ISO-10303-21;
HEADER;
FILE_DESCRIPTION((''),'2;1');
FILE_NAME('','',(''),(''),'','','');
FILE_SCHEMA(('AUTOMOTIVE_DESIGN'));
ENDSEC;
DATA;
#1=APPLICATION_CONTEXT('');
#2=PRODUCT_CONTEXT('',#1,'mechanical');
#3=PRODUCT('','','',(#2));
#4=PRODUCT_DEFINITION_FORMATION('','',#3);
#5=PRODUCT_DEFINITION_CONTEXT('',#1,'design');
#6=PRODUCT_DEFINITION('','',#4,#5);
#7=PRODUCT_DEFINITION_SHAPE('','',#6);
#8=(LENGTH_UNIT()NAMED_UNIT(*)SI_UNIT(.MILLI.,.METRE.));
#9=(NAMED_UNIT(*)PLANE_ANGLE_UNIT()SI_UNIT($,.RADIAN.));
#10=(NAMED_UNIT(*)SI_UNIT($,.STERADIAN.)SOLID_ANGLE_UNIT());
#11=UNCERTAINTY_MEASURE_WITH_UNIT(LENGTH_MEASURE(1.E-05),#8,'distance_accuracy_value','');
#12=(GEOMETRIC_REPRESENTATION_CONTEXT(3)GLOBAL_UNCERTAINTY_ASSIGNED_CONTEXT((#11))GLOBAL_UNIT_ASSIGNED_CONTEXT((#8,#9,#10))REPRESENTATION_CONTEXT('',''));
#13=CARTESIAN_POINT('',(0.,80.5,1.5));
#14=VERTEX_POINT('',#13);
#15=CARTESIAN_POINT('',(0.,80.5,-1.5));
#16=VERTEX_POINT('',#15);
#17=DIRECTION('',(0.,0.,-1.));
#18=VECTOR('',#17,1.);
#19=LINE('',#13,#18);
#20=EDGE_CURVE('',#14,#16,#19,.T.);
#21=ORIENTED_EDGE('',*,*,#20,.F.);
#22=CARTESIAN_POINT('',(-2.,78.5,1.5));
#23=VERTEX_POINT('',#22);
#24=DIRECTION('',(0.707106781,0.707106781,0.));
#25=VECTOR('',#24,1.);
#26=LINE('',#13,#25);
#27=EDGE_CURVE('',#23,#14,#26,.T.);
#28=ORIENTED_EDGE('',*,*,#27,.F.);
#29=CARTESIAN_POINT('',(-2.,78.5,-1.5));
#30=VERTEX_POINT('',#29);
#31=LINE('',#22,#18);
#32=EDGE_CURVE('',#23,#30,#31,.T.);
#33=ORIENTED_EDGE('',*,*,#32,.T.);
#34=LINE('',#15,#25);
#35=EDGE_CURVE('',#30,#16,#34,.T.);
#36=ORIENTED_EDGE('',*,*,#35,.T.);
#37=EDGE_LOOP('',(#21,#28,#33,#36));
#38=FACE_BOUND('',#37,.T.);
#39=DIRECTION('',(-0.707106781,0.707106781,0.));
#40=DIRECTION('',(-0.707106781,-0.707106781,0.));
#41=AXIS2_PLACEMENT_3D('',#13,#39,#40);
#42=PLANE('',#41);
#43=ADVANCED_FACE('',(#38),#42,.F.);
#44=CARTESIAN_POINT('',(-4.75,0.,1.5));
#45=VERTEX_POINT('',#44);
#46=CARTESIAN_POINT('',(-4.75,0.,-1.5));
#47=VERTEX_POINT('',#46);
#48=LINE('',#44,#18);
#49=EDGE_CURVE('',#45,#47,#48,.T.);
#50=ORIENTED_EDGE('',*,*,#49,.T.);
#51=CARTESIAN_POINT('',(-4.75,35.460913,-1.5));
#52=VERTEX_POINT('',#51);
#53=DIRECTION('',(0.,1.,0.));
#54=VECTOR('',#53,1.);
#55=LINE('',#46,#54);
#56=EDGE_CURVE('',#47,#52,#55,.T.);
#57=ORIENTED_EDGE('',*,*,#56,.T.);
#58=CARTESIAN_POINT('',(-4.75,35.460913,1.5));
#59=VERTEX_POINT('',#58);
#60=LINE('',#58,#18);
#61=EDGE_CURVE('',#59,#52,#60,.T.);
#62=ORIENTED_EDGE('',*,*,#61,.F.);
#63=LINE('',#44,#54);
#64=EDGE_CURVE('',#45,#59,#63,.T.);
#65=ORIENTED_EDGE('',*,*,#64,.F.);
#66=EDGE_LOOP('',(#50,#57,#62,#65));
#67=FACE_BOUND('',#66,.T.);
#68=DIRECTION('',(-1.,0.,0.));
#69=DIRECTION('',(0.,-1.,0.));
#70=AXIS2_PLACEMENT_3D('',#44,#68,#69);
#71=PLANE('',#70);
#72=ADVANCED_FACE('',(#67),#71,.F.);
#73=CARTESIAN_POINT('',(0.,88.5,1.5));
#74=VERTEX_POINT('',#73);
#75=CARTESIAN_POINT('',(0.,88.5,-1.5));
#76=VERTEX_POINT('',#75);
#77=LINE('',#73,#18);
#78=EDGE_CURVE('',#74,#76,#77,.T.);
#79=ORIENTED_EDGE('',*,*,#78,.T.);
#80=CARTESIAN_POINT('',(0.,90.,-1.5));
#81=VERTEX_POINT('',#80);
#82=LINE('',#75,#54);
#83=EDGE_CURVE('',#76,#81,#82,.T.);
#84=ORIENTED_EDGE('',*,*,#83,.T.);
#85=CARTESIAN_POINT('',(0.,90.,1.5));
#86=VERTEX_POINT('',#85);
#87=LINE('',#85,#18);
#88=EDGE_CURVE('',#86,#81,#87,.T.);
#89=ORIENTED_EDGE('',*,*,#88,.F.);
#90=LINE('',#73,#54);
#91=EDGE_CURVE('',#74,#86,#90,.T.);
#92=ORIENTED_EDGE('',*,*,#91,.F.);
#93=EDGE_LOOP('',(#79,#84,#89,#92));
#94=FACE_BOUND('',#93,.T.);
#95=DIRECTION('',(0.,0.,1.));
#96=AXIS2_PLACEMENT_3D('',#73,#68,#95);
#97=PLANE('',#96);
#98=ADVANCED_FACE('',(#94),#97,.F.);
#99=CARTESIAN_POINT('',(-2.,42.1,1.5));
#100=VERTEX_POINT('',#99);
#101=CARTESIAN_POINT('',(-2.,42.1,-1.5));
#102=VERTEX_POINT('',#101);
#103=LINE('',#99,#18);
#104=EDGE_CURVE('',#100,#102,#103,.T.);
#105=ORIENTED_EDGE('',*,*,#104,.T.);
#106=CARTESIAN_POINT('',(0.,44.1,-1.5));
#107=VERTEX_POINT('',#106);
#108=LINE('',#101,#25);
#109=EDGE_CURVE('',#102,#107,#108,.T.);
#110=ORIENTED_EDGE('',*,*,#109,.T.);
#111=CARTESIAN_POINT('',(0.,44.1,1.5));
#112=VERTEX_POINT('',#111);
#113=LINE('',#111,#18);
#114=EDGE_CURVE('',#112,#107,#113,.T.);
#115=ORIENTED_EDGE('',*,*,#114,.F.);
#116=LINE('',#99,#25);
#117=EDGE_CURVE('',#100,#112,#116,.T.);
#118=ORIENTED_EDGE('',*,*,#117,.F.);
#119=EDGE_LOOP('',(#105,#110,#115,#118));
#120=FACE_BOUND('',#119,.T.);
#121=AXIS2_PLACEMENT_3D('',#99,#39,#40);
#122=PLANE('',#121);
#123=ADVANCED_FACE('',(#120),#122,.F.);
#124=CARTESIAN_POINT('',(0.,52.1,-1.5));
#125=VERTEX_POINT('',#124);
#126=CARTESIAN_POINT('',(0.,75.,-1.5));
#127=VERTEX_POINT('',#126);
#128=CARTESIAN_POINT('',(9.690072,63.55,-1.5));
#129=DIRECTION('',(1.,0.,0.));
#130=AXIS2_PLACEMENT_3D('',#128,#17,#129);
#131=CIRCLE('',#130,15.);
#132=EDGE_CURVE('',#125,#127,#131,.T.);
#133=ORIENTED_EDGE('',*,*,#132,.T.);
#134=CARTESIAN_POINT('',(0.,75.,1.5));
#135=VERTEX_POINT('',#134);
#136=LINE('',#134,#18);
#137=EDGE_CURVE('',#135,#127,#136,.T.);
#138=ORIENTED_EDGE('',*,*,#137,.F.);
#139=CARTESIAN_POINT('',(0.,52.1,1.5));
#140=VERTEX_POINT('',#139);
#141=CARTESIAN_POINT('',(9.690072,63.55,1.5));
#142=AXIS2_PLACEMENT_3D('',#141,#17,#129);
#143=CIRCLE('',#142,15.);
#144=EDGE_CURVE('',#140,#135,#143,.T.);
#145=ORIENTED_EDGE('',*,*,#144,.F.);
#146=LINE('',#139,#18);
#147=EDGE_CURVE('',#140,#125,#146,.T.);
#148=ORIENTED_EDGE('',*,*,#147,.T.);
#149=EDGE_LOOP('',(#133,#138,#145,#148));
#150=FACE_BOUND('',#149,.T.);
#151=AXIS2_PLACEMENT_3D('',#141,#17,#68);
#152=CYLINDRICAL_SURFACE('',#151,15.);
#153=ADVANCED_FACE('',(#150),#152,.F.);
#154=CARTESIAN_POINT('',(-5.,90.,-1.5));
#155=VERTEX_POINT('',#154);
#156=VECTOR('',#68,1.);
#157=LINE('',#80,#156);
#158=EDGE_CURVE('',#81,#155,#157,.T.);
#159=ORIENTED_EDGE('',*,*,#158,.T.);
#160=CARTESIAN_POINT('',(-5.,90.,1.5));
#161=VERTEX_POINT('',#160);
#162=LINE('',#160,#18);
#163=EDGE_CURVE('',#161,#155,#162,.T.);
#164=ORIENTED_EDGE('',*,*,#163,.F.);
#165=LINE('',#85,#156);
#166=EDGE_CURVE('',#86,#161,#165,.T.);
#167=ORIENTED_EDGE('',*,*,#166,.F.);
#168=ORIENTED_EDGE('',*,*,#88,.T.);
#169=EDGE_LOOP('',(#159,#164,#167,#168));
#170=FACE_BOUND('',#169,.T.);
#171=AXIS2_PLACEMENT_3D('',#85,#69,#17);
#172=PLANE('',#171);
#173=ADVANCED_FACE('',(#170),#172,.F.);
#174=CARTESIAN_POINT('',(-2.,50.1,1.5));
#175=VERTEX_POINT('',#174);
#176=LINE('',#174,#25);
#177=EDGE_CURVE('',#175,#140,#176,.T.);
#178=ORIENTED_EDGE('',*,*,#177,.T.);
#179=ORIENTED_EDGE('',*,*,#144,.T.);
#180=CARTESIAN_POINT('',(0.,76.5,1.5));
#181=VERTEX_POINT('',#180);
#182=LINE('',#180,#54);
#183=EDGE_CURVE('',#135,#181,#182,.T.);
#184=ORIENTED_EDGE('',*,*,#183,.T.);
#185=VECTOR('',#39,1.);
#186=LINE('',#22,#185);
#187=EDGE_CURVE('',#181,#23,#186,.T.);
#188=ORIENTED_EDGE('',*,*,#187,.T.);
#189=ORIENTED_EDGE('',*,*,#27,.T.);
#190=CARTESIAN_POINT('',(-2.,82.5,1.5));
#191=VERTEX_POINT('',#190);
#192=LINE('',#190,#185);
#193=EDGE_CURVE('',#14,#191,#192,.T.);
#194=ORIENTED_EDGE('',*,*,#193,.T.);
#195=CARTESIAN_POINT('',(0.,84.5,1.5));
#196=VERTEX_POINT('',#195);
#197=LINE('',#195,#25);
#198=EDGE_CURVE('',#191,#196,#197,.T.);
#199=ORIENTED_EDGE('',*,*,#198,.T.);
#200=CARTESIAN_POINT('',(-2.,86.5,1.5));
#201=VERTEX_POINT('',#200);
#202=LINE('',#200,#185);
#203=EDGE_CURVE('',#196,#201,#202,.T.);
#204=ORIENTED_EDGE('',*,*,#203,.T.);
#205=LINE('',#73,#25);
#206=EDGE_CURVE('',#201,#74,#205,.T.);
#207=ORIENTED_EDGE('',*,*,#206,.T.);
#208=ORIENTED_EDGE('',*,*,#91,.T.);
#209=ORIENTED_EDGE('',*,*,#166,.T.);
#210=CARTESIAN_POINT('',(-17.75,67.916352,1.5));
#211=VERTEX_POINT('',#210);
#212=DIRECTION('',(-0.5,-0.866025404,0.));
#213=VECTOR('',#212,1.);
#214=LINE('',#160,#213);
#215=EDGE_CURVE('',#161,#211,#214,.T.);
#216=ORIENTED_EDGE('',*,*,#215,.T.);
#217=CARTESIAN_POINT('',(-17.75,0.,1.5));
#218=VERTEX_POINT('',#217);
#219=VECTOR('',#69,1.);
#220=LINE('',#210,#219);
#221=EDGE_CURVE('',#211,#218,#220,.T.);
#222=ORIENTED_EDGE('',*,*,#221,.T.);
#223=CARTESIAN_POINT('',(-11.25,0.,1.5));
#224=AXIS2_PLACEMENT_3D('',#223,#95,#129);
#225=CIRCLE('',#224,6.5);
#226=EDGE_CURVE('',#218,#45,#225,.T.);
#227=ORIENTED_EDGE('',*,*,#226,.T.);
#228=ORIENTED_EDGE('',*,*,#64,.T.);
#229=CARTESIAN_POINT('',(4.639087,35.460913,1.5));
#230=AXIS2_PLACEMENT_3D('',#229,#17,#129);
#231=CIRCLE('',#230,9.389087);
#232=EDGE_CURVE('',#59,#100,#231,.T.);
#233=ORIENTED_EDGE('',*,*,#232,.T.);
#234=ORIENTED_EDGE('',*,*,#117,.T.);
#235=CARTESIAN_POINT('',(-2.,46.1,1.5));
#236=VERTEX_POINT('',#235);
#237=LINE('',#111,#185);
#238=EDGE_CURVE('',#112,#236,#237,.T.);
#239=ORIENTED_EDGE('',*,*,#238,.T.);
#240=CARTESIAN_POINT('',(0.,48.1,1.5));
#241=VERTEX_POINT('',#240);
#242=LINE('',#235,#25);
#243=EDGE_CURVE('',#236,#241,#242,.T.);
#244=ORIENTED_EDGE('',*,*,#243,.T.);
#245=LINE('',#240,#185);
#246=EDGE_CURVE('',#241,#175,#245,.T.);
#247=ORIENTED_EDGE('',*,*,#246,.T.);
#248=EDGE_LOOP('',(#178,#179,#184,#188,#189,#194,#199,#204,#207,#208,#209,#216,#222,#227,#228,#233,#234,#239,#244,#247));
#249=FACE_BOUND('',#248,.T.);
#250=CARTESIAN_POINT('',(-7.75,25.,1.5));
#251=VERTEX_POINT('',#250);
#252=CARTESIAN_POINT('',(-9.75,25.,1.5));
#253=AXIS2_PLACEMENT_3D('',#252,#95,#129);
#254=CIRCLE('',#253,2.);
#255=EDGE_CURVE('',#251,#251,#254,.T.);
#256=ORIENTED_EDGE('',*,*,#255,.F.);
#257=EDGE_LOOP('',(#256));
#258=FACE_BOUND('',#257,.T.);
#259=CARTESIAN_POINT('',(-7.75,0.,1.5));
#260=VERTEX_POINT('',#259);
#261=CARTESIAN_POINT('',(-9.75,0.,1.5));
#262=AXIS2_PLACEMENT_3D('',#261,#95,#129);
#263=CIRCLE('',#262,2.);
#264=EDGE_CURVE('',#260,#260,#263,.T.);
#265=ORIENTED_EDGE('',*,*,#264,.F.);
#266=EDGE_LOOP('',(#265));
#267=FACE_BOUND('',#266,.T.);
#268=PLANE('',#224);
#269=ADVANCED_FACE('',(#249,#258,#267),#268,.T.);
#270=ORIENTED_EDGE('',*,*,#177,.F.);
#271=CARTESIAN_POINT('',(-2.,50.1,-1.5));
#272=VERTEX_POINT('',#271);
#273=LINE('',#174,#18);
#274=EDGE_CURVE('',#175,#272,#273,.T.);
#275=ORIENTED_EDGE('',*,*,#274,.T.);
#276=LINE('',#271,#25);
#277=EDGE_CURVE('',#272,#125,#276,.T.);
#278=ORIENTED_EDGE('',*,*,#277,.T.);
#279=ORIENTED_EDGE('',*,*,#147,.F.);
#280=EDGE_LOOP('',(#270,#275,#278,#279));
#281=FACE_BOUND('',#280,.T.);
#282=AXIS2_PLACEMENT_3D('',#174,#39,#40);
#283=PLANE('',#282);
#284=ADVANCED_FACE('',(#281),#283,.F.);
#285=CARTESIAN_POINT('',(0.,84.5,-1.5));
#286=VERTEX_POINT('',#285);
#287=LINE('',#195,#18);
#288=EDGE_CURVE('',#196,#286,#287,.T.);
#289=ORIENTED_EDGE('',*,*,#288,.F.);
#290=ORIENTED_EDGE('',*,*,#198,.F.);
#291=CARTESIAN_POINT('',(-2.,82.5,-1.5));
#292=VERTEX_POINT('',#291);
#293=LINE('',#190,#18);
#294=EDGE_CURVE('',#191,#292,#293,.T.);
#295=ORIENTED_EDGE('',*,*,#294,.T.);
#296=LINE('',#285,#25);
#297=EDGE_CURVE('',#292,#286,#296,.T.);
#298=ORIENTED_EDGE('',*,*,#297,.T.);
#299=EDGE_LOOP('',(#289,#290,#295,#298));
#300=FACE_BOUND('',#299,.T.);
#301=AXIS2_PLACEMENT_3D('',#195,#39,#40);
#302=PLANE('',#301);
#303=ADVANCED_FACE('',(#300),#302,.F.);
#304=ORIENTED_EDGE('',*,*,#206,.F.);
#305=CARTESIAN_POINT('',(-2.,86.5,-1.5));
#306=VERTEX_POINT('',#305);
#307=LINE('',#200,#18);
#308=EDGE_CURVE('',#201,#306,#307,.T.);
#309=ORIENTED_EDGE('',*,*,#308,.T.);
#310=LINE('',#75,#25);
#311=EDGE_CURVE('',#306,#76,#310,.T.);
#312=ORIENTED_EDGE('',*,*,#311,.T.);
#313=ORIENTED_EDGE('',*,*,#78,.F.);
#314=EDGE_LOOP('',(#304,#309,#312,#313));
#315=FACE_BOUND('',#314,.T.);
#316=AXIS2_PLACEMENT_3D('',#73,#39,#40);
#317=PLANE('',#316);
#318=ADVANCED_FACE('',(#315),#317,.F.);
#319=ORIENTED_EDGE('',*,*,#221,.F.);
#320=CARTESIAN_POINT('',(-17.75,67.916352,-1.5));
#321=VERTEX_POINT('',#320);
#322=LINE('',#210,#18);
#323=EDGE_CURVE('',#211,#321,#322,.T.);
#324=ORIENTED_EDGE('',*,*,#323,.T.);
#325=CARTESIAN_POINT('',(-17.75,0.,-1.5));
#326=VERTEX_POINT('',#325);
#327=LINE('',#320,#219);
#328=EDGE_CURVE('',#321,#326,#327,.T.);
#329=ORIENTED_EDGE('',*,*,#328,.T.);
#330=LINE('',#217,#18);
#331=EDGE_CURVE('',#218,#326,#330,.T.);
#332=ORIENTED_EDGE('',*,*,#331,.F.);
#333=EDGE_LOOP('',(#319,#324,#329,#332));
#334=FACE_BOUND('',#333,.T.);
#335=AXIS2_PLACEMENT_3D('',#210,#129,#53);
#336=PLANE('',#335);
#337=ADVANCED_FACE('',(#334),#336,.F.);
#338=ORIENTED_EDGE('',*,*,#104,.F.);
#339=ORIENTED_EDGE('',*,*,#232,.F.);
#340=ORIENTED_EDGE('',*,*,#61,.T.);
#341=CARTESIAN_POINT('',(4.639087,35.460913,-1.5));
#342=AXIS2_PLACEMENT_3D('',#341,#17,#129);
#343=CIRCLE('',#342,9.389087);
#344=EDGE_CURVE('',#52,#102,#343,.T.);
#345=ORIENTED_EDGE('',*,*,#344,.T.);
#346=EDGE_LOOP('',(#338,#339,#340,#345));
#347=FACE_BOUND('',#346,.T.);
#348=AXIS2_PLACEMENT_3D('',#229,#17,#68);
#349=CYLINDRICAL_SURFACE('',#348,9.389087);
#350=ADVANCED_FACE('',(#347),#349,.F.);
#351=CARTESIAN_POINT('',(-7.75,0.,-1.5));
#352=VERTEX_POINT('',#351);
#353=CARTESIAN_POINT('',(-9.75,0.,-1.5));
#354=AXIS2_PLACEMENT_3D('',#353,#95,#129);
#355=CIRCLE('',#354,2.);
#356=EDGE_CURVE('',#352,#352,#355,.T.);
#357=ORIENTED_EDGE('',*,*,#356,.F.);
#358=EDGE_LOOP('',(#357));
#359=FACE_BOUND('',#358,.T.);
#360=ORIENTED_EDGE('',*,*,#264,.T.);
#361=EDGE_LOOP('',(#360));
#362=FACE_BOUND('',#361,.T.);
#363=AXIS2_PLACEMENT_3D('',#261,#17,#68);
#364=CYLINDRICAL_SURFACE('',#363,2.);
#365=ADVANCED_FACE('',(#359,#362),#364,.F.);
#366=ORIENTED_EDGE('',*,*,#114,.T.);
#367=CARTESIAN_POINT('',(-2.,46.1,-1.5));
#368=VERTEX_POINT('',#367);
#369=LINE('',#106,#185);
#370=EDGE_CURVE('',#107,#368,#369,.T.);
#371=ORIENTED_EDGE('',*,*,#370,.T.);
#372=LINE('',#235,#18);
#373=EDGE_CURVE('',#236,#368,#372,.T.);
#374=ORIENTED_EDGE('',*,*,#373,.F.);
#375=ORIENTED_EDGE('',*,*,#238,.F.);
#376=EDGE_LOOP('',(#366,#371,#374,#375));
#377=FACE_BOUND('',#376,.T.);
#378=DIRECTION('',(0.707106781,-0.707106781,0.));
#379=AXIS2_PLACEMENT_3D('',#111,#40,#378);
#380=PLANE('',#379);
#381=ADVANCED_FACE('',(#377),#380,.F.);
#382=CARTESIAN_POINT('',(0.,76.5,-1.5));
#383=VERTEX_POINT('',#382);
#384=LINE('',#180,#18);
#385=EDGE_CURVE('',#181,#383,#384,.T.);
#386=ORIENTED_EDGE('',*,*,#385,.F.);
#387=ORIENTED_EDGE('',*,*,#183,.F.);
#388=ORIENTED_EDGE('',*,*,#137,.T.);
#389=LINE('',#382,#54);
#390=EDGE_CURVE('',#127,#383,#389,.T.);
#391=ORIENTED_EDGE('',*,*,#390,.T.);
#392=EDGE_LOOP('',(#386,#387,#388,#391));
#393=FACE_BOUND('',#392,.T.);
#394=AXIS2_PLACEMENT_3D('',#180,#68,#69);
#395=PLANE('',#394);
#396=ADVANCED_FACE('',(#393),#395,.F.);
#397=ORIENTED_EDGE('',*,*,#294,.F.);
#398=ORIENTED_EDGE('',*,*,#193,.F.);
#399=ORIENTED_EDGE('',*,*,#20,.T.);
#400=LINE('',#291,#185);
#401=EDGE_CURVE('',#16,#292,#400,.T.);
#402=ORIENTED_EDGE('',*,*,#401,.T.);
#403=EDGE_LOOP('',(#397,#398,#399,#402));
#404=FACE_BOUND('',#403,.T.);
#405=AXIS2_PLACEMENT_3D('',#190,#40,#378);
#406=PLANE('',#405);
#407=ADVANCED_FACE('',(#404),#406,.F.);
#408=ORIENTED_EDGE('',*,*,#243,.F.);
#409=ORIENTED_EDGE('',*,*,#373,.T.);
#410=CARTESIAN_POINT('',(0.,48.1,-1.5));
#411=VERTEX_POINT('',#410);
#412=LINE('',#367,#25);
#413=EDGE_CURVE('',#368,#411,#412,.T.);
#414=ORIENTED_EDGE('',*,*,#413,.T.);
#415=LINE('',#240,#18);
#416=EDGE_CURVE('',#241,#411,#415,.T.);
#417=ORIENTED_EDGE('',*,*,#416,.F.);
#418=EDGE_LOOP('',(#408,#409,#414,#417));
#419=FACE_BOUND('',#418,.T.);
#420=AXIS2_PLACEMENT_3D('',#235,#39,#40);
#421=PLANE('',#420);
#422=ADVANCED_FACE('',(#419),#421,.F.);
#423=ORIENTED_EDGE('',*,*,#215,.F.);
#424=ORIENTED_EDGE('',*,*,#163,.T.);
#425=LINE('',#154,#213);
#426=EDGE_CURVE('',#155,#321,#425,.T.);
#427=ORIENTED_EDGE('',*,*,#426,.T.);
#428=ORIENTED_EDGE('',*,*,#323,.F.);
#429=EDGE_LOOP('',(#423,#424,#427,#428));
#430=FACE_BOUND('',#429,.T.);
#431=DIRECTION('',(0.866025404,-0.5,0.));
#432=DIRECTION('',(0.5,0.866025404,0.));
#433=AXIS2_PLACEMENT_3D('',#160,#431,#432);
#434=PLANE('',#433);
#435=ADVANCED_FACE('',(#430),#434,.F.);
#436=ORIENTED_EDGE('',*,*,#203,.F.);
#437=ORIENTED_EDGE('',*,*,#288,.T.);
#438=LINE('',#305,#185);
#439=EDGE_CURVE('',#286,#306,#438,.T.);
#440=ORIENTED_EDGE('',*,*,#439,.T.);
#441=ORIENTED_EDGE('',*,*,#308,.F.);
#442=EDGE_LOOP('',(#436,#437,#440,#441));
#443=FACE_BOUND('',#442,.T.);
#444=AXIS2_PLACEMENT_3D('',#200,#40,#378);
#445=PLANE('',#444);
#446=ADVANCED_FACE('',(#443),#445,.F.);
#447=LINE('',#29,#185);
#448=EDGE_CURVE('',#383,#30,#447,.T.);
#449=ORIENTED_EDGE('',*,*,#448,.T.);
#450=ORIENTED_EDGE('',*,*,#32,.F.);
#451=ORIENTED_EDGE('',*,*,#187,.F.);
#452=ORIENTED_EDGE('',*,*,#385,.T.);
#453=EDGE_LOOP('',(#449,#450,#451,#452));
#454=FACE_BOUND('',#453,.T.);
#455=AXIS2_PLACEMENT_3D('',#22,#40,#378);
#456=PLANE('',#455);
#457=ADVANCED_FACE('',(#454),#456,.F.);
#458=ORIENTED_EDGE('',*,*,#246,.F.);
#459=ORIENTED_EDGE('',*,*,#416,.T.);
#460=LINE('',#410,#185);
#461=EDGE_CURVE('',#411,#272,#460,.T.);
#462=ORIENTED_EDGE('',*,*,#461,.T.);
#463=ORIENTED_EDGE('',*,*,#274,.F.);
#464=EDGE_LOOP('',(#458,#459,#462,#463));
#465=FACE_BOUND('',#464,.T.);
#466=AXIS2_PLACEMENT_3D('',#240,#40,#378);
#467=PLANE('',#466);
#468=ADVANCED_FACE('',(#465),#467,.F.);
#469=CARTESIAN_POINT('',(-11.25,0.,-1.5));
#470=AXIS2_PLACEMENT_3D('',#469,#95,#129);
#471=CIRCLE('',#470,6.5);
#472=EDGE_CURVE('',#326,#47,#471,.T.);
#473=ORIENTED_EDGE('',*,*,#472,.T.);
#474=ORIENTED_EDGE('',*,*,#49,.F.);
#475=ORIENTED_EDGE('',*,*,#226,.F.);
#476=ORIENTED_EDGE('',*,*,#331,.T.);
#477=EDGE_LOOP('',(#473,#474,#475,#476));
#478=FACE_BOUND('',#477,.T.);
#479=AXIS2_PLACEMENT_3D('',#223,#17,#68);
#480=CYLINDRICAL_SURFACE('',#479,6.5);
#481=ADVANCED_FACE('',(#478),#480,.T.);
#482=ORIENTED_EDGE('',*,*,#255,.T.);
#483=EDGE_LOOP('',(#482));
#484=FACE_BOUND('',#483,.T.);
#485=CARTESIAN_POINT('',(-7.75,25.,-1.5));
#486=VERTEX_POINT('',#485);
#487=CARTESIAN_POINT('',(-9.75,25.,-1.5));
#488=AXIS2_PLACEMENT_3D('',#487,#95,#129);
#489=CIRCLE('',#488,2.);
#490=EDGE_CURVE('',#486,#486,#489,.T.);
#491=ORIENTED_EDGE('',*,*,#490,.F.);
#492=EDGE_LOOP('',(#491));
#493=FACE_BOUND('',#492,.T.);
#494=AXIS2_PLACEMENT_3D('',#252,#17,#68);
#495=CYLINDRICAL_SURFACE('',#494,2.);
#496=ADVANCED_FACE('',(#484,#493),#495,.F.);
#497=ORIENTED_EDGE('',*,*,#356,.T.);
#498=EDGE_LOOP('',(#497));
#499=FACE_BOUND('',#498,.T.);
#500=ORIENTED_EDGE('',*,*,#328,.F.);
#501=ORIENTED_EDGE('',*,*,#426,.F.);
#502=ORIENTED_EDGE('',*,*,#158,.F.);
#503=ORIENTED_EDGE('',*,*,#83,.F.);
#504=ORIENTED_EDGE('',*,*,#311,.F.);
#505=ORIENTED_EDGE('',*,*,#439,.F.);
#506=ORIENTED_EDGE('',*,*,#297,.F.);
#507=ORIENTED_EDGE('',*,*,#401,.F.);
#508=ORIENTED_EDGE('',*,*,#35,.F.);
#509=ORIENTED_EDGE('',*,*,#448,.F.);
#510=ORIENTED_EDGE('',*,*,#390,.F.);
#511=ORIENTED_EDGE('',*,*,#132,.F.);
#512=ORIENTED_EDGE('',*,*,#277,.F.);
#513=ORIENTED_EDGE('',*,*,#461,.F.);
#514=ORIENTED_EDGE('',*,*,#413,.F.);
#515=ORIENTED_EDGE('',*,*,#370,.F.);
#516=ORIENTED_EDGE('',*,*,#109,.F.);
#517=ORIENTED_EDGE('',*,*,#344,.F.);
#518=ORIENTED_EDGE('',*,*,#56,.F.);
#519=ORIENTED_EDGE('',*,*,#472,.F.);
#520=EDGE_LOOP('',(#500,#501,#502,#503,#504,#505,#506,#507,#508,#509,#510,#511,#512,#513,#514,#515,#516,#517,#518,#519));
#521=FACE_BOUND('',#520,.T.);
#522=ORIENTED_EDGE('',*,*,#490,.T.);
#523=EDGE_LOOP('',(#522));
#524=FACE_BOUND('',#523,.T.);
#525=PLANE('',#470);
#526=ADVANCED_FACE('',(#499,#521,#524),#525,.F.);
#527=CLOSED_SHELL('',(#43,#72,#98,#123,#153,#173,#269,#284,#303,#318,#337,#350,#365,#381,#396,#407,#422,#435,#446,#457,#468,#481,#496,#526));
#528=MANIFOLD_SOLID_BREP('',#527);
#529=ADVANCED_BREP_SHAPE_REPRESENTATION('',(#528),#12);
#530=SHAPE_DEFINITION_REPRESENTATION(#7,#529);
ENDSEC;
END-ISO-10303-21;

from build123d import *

# Parameters (mm, degrees)
SKETCH1_R           = 2
BOSS_EXTRUDE1_DEPTH = 1.5


with BuildPart() as part:
    # Sketch1 → Boss-Extrude1 (new body, symmetric)
    with BuildSketch(Plane.XY):
        with BuildLine():
            Line((0, 88.5), (-2, 86.5))
            Line((-2, 86.5), (0, 84.5))
            Line((0, 84.5), (-2, 82.5))
            Line((-2, 82.5), (0, 80.5))
            Line((0, 80.5), (-2, 78.5))
            Line((-2, 78.5), (0, 76.5))
            Line((0, 76.5), (0, 75))
            ThreePointArc((0, 75), (-5.309927761, 63.55), (0, 52.1))
            Line((0, 52.1), (-2, 50.1))
            Line((-2, 50.1), (0, 48.1))
            Line((0, 48.1), (-2, 46.1))
            Line((-2, 46.1), (0, 44.1))
            Line((0, 44.1), (-2, 42.1))
            ThreePointArc((-2, 42.1), (-4.035298286, 39.053960857), (-4.75, 35.460912703))
            Line((-4.75, 35.460912703), (-4.75, 0))
            ThreePointArc((-4.75, 0), (-11.25, -6.5), (-17.75, 0))
            Line((-17.75, 0), (-17.75, 67.916352203))
            Line((-17.75, 67.916352203), (-5, 90))
            Line((-5, 90), (0, 90))
            Line((0, 90), (0, 88.5))
        make_face()
        with Locations((-9.75, 0)):
            Circle(SKETCH1_R, mode=Mode.SUBTRACT)
        with Locations((-9.75, 25)):
            Circle(SKETCH1_R, mode=Mode.SUBTRACT)
    extrude(amount=BOSS_EXTRUDE1_DEPTH, both=True)


solid = part.part
